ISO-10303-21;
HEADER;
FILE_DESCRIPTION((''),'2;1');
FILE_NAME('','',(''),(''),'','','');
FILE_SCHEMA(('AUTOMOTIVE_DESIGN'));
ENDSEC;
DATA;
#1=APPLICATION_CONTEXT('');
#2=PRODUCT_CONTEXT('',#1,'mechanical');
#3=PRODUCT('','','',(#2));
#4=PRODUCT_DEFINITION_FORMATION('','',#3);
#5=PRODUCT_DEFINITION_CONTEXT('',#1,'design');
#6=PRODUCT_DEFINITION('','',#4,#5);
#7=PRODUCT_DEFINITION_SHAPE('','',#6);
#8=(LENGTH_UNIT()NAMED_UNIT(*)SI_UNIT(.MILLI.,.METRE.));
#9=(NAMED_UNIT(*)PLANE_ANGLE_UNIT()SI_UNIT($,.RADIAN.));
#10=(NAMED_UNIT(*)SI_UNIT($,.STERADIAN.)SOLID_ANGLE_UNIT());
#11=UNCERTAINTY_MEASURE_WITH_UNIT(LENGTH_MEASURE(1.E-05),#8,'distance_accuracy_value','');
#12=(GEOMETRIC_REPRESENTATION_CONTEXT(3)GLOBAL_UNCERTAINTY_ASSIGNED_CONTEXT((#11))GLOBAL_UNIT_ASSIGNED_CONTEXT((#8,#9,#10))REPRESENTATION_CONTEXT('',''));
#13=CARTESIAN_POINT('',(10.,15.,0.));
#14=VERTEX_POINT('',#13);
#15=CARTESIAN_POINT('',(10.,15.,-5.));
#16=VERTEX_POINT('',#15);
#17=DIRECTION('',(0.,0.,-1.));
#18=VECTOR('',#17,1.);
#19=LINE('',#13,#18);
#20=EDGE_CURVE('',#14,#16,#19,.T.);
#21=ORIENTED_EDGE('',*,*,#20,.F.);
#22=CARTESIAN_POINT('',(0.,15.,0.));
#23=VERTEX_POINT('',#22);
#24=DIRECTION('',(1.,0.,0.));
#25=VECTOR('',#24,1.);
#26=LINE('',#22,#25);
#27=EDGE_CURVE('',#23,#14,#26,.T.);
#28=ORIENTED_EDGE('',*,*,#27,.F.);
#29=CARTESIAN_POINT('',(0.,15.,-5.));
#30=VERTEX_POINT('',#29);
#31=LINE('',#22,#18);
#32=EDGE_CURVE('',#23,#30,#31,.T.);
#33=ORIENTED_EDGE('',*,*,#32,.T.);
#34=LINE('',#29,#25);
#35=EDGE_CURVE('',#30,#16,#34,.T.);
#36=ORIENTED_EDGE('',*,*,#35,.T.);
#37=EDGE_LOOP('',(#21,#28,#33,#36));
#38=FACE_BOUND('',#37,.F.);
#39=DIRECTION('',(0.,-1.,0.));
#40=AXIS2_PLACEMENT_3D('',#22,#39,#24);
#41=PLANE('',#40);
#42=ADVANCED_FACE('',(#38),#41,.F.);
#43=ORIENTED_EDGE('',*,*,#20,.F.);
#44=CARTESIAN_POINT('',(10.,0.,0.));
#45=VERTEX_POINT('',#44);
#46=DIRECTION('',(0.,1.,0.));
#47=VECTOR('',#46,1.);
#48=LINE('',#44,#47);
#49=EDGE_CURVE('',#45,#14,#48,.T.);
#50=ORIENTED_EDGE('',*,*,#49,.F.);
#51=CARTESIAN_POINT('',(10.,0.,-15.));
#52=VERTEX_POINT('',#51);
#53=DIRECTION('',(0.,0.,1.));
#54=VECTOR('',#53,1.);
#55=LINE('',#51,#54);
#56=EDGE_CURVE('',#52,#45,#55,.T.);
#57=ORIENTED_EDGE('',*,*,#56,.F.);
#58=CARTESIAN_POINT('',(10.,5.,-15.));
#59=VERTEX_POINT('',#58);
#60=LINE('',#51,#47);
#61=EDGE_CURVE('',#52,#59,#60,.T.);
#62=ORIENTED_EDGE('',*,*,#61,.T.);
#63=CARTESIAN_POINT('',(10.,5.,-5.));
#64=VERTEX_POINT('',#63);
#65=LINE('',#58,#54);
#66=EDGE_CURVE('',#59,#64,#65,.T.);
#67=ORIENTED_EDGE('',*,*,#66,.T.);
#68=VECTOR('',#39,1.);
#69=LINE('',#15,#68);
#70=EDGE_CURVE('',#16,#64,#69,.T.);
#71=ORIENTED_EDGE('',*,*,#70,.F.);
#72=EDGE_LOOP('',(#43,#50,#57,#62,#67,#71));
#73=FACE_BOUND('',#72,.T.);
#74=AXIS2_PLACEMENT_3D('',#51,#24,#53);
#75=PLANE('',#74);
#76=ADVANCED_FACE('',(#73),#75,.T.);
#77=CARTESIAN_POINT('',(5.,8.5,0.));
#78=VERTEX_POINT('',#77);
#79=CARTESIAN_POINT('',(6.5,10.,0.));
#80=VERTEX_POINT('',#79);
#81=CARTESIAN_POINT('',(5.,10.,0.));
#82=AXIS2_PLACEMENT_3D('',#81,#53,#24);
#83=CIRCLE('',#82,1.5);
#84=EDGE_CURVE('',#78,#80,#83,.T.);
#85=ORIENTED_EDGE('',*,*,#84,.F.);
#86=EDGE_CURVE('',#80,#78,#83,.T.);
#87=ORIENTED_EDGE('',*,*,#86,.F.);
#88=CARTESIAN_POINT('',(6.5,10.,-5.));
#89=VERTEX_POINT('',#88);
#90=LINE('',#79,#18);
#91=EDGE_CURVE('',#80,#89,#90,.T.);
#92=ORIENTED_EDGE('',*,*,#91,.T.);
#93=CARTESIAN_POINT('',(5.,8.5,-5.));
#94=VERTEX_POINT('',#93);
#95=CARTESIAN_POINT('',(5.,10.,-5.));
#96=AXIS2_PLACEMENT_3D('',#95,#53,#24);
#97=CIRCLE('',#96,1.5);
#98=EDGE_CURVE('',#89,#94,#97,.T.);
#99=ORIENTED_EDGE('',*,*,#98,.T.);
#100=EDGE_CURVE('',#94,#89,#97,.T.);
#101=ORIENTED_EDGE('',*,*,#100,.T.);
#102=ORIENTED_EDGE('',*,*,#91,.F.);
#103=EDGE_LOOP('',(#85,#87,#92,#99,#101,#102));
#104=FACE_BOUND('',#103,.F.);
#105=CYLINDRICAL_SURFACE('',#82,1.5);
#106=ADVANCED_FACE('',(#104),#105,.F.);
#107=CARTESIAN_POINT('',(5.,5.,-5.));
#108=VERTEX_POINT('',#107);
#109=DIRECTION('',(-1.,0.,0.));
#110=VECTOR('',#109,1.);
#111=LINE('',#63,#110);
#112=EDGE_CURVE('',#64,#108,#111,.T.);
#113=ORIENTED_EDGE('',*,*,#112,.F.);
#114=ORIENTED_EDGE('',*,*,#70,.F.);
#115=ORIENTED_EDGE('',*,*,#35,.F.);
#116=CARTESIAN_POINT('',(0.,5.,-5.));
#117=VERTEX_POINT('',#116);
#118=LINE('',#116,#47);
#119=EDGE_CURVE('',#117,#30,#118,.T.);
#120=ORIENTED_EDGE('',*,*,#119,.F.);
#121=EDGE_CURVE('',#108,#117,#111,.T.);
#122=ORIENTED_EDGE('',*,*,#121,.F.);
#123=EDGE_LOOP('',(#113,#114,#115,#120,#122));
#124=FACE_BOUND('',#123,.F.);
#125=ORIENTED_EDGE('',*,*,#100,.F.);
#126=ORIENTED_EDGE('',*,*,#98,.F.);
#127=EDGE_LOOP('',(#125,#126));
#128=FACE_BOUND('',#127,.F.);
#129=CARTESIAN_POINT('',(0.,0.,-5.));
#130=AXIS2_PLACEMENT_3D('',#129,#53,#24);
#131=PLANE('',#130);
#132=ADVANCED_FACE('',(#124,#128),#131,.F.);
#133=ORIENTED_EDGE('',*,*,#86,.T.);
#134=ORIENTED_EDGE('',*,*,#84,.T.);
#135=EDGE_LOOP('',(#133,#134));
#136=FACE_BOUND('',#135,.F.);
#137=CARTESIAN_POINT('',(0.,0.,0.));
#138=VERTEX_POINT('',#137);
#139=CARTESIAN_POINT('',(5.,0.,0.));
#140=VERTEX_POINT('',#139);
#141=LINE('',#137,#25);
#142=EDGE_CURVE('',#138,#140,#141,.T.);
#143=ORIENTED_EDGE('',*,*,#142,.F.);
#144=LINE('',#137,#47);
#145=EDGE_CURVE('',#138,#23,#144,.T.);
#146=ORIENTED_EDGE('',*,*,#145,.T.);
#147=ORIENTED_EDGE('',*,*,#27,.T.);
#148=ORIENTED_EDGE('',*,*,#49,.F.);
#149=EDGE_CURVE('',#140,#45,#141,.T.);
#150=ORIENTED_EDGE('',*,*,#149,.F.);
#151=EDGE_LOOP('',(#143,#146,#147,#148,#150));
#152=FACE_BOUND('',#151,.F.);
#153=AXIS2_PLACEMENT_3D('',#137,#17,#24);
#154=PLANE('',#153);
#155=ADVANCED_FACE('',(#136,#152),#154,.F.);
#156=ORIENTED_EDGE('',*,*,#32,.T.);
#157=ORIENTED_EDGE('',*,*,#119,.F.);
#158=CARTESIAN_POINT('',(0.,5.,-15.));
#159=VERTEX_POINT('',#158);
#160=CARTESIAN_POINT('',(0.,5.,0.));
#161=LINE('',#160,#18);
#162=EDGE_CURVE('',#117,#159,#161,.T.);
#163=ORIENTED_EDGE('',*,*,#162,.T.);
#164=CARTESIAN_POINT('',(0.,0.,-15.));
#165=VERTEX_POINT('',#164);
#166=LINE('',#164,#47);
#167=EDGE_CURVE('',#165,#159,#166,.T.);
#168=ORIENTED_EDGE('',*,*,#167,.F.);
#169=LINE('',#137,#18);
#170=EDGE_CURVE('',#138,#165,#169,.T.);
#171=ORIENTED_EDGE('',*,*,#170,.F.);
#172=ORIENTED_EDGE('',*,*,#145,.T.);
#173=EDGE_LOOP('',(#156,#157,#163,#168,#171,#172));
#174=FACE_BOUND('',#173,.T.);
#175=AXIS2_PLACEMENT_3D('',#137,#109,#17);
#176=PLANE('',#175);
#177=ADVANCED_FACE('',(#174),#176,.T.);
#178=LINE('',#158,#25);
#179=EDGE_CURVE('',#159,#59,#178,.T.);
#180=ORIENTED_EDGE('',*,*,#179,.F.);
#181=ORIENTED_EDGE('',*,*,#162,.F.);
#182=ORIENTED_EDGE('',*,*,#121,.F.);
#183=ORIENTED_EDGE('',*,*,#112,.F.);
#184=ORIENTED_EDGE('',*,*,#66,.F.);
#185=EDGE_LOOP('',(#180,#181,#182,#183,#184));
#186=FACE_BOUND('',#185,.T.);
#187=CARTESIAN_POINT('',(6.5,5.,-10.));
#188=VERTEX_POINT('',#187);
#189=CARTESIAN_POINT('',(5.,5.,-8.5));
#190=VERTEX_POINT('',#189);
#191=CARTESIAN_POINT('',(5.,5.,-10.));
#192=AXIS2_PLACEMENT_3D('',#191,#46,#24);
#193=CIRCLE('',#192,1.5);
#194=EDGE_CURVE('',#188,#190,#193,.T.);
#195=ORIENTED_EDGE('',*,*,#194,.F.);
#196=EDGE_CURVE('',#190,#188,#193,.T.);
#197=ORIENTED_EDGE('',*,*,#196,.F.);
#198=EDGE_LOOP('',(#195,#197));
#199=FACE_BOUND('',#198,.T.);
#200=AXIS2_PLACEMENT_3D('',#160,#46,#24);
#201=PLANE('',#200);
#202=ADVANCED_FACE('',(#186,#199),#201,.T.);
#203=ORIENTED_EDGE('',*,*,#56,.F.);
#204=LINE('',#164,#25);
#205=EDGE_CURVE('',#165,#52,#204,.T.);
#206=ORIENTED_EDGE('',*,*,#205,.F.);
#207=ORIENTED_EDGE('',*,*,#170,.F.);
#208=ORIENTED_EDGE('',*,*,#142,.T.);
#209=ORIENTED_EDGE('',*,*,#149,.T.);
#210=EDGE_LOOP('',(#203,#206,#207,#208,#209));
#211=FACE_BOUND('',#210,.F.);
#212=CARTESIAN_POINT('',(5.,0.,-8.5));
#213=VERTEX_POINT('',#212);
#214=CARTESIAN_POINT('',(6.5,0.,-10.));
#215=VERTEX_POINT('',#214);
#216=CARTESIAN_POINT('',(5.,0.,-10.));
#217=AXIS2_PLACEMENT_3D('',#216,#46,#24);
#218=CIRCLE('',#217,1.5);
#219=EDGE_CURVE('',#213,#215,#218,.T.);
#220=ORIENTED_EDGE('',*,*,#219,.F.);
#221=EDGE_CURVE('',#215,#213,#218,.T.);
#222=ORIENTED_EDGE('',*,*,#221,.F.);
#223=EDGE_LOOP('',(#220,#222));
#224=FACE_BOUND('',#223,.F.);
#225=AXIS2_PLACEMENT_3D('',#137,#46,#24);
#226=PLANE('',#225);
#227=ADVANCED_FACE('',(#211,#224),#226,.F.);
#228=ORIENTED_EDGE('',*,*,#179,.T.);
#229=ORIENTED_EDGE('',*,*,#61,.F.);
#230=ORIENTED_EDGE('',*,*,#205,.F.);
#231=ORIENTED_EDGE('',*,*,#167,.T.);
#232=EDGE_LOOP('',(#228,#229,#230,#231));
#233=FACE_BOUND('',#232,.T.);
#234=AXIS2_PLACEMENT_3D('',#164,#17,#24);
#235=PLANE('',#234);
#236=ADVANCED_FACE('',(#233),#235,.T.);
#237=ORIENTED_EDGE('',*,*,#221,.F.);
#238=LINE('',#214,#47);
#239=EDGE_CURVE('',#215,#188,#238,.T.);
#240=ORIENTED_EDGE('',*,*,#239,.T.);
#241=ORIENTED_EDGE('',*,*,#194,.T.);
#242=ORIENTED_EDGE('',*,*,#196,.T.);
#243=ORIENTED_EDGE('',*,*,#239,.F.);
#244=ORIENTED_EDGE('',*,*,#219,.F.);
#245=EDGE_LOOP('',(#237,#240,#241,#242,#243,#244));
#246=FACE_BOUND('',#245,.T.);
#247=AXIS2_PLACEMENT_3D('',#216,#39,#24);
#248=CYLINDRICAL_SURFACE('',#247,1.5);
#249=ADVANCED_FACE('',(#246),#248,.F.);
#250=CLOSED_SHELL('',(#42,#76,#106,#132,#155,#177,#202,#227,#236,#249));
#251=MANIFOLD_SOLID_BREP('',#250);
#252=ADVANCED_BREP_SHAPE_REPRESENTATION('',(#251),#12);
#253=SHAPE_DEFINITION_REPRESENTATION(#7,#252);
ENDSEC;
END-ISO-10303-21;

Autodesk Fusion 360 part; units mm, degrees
sketch "Sketch1" plane through (0, 0, 0) normal (0, 1, 0) x (1, 0, 0)
  line L0 (0, 0) -> (10, 0)
  line L1 (5, 0) -> (5, 10)
  line L2 (0, 0) -> (0, 15)
  line L3 (0, 15) -> (10, 15)
  line L4 (10, 15) -> (10, 0)
  circle A0 centre (5, 10) radius 1.5
  dimension "d1" = 3
extrude "Extrude1" add sketch "Sketch1" along normal blind 5
sketch "Sketch2" plane through (0, 0, 0) normal (0, 0, 1) x (1, 0, 0)
  line L0 (0, 0) -> (10, 0)
  line L1 (10, 0) -> (10, 5)
  line L2 (10, 5) -> (0, 5)
  line L3 (0, 5) -> (0, 0)
  line L4 (5, 0) -> (5, 10)
  line L5 (0, 5) -> (0, 15)
  line L6 (0, 15) -> (10, 15)
  line L7 (10, 15) -> (10, 5)
  circle A0 centre (5, 10) radius 1.5
  dimension "d4" = 10
  dimension "d5" = 3
extrude "Extrude2" add sketch "Sketch2" against normal blind 5 contours L2 L5 L6 L7
